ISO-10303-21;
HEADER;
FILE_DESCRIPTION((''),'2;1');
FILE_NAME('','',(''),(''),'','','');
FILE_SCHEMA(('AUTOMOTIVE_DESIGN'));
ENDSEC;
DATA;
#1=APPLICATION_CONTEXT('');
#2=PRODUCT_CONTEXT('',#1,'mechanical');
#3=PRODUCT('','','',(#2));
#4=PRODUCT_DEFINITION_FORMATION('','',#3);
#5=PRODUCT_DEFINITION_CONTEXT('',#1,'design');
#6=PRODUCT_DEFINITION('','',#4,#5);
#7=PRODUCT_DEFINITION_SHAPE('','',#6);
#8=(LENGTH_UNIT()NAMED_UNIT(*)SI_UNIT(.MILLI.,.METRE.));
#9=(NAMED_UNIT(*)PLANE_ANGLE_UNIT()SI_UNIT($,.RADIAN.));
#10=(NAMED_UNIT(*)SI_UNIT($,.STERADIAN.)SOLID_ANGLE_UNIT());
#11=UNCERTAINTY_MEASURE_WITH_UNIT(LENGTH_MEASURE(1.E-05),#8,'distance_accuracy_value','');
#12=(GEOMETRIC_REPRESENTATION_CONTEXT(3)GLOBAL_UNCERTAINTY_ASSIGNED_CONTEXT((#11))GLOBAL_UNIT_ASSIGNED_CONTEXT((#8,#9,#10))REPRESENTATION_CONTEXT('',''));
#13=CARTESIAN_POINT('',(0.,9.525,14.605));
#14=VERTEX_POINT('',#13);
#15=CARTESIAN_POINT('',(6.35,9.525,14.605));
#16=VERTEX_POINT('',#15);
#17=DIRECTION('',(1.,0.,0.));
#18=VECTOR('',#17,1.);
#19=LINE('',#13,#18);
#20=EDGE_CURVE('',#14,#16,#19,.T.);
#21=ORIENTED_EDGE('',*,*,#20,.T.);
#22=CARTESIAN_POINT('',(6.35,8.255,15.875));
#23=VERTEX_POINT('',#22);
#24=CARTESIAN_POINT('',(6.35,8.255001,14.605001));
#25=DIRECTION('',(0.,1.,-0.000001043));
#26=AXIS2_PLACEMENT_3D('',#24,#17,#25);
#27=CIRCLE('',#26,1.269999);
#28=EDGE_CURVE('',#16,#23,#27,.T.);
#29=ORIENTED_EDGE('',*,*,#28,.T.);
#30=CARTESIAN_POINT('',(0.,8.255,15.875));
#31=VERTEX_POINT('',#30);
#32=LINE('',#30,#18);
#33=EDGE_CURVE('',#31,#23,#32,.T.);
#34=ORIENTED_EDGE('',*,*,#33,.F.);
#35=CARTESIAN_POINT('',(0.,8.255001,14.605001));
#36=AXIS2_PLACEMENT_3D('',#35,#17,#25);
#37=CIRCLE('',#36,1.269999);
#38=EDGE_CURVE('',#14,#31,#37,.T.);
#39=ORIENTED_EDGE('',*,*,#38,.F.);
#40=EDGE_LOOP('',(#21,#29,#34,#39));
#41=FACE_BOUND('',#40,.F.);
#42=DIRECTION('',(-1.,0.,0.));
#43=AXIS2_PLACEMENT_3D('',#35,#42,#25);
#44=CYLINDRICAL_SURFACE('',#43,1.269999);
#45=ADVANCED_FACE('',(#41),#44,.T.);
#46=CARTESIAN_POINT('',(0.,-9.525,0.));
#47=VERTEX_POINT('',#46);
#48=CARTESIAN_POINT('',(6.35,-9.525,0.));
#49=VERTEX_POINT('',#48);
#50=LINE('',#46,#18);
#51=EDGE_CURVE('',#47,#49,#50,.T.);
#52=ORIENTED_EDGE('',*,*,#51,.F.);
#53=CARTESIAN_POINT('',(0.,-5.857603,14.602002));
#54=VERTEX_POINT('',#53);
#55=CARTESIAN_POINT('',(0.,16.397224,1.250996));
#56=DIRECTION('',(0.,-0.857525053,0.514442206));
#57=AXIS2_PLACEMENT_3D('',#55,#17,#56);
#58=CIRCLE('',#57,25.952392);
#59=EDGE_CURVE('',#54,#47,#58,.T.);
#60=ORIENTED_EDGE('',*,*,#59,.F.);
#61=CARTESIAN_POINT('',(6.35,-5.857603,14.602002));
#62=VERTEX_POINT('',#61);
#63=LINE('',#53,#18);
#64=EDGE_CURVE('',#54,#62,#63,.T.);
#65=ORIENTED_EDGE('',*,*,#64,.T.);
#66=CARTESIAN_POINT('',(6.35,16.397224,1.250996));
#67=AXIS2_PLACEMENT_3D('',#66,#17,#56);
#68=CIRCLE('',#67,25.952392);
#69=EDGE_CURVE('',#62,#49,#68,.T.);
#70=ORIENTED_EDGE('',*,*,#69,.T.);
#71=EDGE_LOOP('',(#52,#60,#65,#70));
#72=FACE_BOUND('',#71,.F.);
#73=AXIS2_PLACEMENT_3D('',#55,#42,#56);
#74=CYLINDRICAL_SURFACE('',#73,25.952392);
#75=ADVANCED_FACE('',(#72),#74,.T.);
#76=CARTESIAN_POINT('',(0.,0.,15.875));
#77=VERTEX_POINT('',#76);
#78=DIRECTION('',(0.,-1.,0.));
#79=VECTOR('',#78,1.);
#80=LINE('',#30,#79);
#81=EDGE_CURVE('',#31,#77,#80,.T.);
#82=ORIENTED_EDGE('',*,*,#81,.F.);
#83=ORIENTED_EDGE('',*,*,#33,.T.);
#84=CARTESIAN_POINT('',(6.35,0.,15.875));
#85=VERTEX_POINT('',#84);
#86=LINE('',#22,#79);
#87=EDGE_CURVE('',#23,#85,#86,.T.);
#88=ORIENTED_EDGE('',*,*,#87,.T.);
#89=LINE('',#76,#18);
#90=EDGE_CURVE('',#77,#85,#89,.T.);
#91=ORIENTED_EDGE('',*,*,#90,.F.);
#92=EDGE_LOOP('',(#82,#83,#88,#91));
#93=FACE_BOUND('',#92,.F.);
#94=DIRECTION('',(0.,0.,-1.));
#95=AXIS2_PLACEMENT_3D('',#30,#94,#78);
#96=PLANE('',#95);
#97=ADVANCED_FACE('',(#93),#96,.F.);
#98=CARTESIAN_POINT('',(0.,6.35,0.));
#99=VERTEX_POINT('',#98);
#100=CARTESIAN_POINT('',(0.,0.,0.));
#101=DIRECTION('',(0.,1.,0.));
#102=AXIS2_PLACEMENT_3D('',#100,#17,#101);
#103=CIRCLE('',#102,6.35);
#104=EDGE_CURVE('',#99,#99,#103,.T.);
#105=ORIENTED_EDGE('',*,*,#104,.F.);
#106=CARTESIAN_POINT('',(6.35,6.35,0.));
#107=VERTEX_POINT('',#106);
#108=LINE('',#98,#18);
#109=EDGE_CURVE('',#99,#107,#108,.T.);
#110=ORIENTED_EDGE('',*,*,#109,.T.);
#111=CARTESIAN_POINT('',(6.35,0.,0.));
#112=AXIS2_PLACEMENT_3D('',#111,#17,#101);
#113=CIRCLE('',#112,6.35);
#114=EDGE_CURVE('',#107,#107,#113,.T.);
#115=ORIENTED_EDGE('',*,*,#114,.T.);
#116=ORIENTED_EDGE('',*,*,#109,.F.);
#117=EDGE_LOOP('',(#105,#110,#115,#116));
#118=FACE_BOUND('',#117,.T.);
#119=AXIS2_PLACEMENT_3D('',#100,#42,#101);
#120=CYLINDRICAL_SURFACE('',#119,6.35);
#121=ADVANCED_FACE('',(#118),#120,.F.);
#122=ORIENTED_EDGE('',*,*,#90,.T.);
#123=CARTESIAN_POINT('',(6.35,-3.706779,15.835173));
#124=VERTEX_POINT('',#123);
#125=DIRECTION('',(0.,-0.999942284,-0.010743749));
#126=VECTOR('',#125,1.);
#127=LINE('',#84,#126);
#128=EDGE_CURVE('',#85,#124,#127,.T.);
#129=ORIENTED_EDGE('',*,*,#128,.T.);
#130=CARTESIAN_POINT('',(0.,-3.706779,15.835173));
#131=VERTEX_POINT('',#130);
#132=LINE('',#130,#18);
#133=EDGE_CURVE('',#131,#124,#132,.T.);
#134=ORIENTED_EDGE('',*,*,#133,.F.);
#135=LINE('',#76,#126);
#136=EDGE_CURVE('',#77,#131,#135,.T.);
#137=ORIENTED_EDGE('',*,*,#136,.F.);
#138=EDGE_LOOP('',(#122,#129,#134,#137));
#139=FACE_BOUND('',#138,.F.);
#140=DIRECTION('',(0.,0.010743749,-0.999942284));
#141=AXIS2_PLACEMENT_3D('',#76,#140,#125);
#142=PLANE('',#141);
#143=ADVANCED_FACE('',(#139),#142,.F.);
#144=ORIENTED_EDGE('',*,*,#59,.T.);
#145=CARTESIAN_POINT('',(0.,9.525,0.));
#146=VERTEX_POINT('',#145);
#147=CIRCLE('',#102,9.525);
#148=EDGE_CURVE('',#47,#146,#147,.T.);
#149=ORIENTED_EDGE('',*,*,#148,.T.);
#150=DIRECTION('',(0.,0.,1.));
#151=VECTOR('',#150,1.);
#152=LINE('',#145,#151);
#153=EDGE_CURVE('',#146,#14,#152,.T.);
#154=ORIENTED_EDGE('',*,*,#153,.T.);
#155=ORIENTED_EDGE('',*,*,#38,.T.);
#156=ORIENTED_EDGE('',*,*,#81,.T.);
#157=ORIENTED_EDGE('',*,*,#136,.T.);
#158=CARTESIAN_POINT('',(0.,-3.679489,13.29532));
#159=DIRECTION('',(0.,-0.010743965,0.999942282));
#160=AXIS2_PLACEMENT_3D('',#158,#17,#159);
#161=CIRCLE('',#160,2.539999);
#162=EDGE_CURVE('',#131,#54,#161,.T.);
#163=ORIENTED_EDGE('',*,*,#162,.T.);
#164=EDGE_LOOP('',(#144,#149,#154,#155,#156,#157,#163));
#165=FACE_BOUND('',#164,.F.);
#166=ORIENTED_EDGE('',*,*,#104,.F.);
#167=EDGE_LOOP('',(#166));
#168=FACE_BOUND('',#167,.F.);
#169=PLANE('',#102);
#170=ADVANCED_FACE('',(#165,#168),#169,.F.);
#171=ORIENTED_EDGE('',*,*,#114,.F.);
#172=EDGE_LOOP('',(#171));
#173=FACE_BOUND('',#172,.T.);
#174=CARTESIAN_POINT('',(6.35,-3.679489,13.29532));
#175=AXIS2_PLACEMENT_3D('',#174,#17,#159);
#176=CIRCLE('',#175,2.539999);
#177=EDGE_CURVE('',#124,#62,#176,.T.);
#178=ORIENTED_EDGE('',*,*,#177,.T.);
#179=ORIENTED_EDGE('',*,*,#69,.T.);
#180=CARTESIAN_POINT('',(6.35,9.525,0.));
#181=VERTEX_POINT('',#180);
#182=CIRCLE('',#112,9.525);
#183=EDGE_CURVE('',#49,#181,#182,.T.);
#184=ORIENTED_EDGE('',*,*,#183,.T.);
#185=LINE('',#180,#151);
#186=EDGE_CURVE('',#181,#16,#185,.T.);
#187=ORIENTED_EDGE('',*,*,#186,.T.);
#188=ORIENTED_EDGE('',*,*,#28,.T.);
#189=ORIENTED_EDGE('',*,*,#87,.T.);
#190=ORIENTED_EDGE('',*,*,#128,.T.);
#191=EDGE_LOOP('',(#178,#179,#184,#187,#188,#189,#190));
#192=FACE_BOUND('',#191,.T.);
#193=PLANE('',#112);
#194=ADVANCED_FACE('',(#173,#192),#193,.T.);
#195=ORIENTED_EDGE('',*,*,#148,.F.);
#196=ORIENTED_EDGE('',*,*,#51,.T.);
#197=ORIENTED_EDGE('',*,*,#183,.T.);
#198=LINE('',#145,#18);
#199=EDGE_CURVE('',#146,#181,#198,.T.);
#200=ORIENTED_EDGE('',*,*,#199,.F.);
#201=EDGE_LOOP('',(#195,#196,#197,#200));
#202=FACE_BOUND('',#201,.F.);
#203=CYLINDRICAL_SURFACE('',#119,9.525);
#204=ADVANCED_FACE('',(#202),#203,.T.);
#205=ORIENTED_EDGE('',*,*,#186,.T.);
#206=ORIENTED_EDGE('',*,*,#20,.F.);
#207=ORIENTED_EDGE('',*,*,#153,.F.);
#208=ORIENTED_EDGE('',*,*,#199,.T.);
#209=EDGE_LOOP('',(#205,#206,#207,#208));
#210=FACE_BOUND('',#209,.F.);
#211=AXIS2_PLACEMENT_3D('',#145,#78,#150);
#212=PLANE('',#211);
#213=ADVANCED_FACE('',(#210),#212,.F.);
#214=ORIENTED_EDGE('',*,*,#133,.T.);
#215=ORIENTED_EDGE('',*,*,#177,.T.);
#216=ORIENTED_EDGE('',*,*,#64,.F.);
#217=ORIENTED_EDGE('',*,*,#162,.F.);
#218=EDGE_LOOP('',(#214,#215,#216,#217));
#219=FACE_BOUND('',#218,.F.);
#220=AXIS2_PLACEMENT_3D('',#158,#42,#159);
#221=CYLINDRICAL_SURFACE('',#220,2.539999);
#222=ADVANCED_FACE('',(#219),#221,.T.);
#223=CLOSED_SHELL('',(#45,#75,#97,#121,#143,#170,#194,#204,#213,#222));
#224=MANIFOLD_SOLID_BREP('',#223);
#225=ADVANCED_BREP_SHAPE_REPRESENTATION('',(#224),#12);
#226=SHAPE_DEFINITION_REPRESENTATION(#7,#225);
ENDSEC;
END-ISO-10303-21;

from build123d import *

# Parameters (mm, degrees)
F0_R     = 6.35
F1_DEPTH = 6.35


with BuildPart() as f1:
    # F0 (on Right) → F1 (new body)
    with BuildSketch(Plane.YZ):
        with BuildLine():
            ThreePointArc((-9.525, 0), (0, -9.525), (9.525, 0))
            ThreePointArc((9.525, 0), (0, 9.525), (-9.525, 0))
        make_face()
        Circle(F0_R, mode=Mode.SUBTRACT)
        with BuildLine():
            ThreePointArc((-9.525, 0), (0, 9.525), (9.525, 0))
            Line((9.525, 0), (9.525, 14.605))
            ThreePointArc((9.525, 14.605), (9.153026, 15.503026), (8.255, 15.875))
            Line((8.255, 15.875), (3.688974, 15.875))
            Line((3.688974, 15.875), (0, 15.875))
            Line((0, 15.875), (-3.706779, 15.835173))
            ThreePointArc((-3.706779, 15.835173), (-4.942869, 15.498833), (-5.857603, 14.602002))
            ThreePointArc((-5.857603, 14.602002), (-8.773427, 7.572785), (-9.525, 0))
        make_face()
    extrude(amount=F1_DEPTH)


solid = f1.part
